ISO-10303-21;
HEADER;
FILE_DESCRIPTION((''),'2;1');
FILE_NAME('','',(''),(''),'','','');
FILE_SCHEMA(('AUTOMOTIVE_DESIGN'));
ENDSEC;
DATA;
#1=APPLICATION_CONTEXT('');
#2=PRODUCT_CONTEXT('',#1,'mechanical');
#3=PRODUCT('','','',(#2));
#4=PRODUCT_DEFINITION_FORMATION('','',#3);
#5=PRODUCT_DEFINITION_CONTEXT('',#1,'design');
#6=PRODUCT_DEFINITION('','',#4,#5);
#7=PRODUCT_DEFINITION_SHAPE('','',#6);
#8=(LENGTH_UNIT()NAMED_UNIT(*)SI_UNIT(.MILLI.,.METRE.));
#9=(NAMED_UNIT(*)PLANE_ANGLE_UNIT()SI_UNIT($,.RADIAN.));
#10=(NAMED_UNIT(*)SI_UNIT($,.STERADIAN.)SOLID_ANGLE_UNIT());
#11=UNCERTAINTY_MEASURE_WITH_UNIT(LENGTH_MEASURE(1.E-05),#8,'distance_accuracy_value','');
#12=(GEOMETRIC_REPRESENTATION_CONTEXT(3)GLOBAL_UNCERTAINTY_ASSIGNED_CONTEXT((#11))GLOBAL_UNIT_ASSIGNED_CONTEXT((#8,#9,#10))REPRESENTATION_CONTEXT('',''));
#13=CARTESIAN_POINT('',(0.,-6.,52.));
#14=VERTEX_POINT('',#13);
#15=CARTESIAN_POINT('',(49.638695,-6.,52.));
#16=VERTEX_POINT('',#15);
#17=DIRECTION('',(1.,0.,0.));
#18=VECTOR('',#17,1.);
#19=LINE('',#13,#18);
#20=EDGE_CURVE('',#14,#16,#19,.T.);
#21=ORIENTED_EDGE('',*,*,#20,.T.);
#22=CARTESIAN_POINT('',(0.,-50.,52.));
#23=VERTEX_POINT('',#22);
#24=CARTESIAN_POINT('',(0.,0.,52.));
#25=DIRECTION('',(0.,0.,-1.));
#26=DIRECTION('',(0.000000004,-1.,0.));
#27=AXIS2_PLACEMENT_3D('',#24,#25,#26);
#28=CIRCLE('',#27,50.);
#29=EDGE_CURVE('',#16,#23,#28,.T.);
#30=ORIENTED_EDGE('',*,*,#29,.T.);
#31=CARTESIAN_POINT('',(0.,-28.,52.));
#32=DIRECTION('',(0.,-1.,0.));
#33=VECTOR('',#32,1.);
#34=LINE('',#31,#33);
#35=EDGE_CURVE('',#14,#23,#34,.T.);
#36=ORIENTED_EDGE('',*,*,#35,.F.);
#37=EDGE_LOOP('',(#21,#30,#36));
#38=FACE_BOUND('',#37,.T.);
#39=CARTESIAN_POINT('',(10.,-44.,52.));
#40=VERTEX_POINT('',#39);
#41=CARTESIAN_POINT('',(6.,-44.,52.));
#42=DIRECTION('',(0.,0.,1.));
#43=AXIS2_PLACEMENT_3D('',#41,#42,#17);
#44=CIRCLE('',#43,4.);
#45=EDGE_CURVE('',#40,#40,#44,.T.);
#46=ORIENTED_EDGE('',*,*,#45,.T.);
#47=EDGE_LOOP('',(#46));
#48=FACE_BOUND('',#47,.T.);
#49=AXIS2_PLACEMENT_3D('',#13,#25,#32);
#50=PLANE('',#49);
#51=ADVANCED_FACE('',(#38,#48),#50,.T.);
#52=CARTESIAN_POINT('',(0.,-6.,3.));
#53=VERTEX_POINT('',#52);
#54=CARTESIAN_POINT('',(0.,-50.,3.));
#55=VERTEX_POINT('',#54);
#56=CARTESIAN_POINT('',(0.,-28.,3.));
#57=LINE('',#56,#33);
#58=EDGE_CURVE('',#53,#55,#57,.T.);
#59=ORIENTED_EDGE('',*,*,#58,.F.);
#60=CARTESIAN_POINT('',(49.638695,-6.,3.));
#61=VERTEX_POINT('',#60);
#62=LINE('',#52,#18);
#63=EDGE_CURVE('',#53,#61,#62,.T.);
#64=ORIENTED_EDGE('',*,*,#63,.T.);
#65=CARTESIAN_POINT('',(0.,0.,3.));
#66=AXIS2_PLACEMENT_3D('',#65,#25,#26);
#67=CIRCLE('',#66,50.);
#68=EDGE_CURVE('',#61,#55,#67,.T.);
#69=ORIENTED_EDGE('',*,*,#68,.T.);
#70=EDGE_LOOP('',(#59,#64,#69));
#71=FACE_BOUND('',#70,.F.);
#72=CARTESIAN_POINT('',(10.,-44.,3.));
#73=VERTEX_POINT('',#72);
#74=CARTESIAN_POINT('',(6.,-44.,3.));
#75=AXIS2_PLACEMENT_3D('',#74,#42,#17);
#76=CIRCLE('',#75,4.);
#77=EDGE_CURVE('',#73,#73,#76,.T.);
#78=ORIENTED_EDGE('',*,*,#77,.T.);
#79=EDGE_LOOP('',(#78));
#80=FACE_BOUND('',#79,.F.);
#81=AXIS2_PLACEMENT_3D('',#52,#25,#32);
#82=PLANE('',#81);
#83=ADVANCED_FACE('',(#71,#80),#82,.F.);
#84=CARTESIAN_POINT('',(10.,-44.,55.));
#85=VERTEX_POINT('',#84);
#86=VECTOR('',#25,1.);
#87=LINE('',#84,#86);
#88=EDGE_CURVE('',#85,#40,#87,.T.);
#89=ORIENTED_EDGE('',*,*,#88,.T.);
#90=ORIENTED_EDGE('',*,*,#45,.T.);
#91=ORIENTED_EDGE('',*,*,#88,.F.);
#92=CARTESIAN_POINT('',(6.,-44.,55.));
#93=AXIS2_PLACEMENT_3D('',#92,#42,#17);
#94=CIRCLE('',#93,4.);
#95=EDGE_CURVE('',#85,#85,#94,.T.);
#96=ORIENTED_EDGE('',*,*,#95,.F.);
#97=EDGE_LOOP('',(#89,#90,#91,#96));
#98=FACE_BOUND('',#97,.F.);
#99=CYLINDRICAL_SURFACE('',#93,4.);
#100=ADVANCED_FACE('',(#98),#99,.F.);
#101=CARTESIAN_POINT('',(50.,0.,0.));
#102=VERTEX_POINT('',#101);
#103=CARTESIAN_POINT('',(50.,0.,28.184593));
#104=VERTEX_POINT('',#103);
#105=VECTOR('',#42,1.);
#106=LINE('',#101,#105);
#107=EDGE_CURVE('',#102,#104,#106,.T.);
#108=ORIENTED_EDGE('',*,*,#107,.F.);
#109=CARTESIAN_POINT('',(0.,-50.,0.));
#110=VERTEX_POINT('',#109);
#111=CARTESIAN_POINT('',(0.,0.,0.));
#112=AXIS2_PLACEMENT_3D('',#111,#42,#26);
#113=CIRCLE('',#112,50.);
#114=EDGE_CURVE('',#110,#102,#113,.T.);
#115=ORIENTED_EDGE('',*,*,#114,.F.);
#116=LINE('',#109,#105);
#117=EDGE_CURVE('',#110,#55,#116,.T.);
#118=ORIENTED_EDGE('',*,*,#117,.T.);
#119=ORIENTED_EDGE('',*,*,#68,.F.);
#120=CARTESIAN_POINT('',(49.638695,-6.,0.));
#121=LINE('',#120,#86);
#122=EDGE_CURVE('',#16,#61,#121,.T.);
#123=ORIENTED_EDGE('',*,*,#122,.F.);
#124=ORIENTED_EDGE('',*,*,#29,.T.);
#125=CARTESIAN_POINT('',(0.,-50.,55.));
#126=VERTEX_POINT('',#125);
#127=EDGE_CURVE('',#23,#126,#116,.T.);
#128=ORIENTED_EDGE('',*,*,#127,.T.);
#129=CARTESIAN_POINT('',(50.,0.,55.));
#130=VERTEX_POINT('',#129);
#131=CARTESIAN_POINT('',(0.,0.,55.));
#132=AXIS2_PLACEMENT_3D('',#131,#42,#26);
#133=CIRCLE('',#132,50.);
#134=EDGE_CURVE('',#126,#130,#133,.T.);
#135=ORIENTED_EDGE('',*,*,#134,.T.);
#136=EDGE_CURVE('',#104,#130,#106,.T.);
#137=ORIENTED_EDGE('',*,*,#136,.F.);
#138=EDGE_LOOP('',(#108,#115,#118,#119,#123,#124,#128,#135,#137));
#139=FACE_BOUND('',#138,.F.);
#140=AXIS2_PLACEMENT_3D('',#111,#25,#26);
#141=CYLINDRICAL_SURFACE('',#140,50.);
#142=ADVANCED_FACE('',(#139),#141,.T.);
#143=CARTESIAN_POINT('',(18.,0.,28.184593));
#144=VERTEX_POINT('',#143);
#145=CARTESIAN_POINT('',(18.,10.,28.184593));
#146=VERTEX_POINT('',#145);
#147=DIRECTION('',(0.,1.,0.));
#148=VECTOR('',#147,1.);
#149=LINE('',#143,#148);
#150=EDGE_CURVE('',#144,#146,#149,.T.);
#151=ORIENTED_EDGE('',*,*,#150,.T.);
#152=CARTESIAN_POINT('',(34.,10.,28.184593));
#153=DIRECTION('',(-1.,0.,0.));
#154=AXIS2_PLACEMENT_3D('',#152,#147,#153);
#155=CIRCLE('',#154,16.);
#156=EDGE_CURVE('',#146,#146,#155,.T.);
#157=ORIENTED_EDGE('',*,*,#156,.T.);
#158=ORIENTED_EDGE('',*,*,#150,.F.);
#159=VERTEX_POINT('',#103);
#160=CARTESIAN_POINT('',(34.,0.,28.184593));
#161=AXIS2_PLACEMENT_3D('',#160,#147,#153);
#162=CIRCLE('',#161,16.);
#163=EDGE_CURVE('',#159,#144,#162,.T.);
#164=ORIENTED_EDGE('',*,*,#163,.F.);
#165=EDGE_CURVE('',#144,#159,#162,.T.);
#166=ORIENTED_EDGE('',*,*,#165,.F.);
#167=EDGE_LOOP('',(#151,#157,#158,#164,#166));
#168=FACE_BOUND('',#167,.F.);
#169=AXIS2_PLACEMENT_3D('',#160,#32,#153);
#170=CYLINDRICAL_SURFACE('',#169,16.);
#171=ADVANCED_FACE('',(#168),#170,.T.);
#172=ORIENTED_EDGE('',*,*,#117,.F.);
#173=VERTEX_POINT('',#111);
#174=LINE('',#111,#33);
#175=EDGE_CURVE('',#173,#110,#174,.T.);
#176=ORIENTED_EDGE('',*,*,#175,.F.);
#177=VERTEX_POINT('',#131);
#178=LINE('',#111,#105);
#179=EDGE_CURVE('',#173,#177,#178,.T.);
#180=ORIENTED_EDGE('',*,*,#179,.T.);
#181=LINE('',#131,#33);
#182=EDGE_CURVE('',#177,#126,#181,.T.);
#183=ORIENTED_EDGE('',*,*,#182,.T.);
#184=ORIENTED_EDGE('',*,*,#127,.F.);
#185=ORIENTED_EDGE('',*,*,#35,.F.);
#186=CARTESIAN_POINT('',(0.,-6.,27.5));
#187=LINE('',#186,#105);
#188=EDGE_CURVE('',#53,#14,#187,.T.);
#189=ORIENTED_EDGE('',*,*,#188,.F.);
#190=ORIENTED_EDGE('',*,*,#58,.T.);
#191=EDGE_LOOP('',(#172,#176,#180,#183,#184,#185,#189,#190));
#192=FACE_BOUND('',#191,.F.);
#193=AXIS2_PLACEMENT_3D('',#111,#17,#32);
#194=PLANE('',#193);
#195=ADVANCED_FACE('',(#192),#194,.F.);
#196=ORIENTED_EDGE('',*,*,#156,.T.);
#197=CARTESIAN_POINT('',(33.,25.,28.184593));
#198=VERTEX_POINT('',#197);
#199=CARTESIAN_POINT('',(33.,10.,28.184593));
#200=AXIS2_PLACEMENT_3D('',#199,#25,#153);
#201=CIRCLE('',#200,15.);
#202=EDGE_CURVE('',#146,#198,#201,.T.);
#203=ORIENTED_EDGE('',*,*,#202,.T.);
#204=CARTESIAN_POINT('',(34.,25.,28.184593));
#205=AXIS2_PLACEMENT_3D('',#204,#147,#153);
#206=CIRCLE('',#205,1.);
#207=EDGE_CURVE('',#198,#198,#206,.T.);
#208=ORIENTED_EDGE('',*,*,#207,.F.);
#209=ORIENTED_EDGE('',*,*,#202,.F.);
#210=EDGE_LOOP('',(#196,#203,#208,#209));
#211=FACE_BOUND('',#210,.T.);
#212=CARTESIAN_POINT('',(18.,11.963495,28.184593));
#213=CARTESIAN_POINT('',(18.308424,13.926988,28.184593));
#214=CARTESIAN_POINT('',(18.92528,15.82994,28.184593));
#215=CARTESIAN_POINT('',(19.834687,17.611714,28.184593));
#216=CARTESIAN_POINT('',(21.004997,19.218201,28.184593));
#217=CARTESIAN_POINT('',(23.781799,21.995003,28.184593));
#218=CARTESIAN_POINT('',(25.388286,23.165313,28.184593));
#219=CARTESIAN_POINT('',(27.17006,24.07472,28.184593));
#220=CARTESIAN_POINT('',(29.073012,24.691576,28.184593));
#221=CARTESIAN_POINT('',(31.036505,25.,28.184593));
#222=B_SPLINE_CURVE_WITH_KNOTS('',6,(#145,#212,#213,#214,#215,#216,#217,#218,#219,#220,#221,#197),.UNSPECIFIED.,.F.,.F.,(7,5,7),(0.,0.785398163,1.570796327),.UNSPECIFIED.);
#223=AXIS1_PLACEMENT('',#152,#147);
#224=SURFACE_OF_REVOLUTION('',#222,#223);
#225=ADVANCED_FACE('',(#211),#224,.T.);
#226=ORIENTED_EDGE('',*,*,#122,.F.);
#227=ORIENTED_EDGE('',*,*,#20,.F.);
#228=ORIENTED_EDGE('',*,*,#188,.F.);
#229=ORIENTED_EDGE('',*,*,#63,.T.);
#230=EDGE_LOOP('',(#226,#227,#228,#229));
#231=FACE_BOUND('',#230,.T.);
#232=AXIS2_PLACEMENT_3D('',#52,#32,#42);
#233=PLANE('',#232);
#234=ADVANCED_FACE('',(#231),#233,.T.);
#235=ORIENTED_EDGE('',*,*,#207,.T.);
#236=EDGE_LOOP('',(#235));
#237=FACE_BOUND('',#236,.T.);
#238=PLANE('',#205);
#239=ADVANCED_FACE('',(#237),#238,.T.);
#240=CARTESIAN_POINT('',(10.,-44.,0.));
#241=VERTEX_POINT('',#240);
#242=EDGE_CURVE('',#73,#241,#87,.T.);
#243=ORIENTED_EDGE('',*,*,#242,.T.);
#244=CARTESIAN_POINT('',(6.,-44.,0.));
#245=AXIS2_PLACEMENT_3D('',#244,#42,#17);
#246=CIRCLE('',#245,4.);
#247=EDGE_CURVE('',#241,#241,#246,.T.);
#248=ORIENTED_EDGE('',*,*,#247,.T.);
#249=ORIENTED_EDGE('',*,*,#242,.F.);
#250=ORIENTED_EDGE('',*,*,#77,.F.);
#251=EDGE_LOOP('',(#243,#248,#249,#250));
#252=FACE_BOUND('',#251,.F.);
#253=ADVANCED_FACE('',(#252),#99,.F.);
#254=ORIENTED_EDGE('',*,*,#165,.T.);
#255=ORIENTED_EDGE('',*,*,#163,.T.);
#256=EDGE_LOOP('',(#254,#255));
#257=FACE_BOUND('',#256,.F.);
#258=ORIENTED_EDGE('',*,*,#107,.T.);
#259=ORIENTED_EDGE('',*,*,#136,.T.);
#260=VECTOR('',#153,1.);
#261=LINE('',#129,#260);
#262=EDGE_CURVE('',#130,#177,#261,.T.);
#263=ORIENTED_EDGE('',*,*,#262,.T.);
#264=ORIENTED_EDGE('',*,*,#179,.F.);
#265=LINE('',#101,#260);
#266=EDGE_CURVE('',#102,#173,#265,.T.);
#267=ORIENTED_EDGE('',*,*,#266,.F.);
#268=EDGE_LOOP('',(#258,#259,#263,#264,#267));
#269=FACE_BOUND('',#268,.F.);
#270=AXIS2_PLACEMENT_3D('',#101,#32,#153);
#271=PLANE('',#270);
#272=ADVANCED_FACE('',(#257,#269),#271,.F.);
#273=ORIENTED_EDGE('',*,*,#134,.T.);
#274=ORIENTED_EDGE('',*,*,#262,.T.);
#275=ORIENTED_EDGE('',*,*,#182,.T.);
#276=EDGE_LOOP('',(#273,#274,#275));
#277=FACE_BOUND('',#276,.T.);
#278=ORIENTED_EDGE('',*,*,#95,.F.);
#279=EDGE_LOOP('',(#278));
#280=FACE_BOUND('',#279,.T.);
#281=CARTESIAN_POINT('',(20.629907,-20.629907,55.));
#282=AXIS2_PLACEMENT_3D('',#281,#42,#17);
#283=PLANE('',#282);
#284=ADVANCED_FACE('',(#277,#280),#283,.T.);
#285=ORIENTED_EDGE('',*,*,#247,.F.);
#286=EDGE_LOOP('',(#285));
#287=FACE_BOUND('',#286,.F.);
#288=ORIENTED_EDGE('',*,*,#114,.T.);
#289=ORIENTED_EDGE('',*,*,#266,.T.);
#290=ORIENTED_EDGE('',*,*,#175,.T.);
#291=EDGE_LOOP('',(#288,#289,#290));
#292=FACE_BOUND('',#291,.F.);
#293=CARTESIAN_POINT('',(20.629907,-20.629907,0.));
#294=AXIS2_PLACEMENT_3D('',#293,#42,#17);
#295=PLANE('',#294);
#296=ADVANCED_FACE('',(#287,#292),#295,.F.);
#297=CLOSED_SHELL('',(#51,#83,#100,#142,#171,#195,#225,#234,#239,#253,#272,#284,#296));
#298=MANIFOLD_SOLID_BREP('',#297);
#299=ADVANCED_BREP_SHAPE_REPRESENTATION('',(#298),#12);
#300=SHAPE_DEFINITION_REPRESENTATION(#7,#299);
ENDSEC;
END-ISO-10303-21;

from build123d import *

# Parameters (mm, degrees)
F1_DEPTH = 55
F2_W     = 44
F2_H     = 49
F3_DEPTH = 50.001
F4_R     = 4
F5_DEPTH = 55
F6_R     = 16
F7_DEPTH = 25
F8_R     = 15


with BuildPart() as f1:
    # F0 (on Top) → F1 (new body)
    with BuildSketch(Plane.XY):
        with BuildLine():
            Line((0, 0), (0, -50))
            ThreePointArc((0, -50), (35.355339, -35.355339), (50, 0))
            Line((50, 0), (0, 0))
        make_face()
    extrude(amount=F1_DEPTH)

    # F2 (on face) → F3 (cut, through all)
    with BuildSketch(Plane(origin=(0, 0, 0), x_dir=(0, -1, 0), z_dir=(-1, 0, 0))):
        with Locations((28, 27.5)):
            Rectangle(F2_W, F2_H)
    extrude(amount=-F3_DEPTH, mode=Mode.SUBTRACT)

    # F4 (on face) → F5 (cut)
    with BuildSketch(Plane.XY.offset(55)):
        with Locations((6, -44)):
            Circle(F4_R)
    extrude(amount=-F5_DEPTH, mode=Mode.SUBTRACT)

    # F6 (on face) → F7 (join)
    with BuildSketch(Plane(origin=(0, 0, 0), x_dir=(-1, 0, 0), z_dir=(0, 1, 0))):
        with Locations((-34, 28.184593)):
            Circle(F6_R)
    extrude(amount=F7_DEPTH)

    # F8
    f8_edges = [f1.edges().sort_by_distance(p)[0] for p in [
        (50, 25, 28.184593),
    ]]
    fillet(f8_edges, radius=F8_R)


solid = f1.part
